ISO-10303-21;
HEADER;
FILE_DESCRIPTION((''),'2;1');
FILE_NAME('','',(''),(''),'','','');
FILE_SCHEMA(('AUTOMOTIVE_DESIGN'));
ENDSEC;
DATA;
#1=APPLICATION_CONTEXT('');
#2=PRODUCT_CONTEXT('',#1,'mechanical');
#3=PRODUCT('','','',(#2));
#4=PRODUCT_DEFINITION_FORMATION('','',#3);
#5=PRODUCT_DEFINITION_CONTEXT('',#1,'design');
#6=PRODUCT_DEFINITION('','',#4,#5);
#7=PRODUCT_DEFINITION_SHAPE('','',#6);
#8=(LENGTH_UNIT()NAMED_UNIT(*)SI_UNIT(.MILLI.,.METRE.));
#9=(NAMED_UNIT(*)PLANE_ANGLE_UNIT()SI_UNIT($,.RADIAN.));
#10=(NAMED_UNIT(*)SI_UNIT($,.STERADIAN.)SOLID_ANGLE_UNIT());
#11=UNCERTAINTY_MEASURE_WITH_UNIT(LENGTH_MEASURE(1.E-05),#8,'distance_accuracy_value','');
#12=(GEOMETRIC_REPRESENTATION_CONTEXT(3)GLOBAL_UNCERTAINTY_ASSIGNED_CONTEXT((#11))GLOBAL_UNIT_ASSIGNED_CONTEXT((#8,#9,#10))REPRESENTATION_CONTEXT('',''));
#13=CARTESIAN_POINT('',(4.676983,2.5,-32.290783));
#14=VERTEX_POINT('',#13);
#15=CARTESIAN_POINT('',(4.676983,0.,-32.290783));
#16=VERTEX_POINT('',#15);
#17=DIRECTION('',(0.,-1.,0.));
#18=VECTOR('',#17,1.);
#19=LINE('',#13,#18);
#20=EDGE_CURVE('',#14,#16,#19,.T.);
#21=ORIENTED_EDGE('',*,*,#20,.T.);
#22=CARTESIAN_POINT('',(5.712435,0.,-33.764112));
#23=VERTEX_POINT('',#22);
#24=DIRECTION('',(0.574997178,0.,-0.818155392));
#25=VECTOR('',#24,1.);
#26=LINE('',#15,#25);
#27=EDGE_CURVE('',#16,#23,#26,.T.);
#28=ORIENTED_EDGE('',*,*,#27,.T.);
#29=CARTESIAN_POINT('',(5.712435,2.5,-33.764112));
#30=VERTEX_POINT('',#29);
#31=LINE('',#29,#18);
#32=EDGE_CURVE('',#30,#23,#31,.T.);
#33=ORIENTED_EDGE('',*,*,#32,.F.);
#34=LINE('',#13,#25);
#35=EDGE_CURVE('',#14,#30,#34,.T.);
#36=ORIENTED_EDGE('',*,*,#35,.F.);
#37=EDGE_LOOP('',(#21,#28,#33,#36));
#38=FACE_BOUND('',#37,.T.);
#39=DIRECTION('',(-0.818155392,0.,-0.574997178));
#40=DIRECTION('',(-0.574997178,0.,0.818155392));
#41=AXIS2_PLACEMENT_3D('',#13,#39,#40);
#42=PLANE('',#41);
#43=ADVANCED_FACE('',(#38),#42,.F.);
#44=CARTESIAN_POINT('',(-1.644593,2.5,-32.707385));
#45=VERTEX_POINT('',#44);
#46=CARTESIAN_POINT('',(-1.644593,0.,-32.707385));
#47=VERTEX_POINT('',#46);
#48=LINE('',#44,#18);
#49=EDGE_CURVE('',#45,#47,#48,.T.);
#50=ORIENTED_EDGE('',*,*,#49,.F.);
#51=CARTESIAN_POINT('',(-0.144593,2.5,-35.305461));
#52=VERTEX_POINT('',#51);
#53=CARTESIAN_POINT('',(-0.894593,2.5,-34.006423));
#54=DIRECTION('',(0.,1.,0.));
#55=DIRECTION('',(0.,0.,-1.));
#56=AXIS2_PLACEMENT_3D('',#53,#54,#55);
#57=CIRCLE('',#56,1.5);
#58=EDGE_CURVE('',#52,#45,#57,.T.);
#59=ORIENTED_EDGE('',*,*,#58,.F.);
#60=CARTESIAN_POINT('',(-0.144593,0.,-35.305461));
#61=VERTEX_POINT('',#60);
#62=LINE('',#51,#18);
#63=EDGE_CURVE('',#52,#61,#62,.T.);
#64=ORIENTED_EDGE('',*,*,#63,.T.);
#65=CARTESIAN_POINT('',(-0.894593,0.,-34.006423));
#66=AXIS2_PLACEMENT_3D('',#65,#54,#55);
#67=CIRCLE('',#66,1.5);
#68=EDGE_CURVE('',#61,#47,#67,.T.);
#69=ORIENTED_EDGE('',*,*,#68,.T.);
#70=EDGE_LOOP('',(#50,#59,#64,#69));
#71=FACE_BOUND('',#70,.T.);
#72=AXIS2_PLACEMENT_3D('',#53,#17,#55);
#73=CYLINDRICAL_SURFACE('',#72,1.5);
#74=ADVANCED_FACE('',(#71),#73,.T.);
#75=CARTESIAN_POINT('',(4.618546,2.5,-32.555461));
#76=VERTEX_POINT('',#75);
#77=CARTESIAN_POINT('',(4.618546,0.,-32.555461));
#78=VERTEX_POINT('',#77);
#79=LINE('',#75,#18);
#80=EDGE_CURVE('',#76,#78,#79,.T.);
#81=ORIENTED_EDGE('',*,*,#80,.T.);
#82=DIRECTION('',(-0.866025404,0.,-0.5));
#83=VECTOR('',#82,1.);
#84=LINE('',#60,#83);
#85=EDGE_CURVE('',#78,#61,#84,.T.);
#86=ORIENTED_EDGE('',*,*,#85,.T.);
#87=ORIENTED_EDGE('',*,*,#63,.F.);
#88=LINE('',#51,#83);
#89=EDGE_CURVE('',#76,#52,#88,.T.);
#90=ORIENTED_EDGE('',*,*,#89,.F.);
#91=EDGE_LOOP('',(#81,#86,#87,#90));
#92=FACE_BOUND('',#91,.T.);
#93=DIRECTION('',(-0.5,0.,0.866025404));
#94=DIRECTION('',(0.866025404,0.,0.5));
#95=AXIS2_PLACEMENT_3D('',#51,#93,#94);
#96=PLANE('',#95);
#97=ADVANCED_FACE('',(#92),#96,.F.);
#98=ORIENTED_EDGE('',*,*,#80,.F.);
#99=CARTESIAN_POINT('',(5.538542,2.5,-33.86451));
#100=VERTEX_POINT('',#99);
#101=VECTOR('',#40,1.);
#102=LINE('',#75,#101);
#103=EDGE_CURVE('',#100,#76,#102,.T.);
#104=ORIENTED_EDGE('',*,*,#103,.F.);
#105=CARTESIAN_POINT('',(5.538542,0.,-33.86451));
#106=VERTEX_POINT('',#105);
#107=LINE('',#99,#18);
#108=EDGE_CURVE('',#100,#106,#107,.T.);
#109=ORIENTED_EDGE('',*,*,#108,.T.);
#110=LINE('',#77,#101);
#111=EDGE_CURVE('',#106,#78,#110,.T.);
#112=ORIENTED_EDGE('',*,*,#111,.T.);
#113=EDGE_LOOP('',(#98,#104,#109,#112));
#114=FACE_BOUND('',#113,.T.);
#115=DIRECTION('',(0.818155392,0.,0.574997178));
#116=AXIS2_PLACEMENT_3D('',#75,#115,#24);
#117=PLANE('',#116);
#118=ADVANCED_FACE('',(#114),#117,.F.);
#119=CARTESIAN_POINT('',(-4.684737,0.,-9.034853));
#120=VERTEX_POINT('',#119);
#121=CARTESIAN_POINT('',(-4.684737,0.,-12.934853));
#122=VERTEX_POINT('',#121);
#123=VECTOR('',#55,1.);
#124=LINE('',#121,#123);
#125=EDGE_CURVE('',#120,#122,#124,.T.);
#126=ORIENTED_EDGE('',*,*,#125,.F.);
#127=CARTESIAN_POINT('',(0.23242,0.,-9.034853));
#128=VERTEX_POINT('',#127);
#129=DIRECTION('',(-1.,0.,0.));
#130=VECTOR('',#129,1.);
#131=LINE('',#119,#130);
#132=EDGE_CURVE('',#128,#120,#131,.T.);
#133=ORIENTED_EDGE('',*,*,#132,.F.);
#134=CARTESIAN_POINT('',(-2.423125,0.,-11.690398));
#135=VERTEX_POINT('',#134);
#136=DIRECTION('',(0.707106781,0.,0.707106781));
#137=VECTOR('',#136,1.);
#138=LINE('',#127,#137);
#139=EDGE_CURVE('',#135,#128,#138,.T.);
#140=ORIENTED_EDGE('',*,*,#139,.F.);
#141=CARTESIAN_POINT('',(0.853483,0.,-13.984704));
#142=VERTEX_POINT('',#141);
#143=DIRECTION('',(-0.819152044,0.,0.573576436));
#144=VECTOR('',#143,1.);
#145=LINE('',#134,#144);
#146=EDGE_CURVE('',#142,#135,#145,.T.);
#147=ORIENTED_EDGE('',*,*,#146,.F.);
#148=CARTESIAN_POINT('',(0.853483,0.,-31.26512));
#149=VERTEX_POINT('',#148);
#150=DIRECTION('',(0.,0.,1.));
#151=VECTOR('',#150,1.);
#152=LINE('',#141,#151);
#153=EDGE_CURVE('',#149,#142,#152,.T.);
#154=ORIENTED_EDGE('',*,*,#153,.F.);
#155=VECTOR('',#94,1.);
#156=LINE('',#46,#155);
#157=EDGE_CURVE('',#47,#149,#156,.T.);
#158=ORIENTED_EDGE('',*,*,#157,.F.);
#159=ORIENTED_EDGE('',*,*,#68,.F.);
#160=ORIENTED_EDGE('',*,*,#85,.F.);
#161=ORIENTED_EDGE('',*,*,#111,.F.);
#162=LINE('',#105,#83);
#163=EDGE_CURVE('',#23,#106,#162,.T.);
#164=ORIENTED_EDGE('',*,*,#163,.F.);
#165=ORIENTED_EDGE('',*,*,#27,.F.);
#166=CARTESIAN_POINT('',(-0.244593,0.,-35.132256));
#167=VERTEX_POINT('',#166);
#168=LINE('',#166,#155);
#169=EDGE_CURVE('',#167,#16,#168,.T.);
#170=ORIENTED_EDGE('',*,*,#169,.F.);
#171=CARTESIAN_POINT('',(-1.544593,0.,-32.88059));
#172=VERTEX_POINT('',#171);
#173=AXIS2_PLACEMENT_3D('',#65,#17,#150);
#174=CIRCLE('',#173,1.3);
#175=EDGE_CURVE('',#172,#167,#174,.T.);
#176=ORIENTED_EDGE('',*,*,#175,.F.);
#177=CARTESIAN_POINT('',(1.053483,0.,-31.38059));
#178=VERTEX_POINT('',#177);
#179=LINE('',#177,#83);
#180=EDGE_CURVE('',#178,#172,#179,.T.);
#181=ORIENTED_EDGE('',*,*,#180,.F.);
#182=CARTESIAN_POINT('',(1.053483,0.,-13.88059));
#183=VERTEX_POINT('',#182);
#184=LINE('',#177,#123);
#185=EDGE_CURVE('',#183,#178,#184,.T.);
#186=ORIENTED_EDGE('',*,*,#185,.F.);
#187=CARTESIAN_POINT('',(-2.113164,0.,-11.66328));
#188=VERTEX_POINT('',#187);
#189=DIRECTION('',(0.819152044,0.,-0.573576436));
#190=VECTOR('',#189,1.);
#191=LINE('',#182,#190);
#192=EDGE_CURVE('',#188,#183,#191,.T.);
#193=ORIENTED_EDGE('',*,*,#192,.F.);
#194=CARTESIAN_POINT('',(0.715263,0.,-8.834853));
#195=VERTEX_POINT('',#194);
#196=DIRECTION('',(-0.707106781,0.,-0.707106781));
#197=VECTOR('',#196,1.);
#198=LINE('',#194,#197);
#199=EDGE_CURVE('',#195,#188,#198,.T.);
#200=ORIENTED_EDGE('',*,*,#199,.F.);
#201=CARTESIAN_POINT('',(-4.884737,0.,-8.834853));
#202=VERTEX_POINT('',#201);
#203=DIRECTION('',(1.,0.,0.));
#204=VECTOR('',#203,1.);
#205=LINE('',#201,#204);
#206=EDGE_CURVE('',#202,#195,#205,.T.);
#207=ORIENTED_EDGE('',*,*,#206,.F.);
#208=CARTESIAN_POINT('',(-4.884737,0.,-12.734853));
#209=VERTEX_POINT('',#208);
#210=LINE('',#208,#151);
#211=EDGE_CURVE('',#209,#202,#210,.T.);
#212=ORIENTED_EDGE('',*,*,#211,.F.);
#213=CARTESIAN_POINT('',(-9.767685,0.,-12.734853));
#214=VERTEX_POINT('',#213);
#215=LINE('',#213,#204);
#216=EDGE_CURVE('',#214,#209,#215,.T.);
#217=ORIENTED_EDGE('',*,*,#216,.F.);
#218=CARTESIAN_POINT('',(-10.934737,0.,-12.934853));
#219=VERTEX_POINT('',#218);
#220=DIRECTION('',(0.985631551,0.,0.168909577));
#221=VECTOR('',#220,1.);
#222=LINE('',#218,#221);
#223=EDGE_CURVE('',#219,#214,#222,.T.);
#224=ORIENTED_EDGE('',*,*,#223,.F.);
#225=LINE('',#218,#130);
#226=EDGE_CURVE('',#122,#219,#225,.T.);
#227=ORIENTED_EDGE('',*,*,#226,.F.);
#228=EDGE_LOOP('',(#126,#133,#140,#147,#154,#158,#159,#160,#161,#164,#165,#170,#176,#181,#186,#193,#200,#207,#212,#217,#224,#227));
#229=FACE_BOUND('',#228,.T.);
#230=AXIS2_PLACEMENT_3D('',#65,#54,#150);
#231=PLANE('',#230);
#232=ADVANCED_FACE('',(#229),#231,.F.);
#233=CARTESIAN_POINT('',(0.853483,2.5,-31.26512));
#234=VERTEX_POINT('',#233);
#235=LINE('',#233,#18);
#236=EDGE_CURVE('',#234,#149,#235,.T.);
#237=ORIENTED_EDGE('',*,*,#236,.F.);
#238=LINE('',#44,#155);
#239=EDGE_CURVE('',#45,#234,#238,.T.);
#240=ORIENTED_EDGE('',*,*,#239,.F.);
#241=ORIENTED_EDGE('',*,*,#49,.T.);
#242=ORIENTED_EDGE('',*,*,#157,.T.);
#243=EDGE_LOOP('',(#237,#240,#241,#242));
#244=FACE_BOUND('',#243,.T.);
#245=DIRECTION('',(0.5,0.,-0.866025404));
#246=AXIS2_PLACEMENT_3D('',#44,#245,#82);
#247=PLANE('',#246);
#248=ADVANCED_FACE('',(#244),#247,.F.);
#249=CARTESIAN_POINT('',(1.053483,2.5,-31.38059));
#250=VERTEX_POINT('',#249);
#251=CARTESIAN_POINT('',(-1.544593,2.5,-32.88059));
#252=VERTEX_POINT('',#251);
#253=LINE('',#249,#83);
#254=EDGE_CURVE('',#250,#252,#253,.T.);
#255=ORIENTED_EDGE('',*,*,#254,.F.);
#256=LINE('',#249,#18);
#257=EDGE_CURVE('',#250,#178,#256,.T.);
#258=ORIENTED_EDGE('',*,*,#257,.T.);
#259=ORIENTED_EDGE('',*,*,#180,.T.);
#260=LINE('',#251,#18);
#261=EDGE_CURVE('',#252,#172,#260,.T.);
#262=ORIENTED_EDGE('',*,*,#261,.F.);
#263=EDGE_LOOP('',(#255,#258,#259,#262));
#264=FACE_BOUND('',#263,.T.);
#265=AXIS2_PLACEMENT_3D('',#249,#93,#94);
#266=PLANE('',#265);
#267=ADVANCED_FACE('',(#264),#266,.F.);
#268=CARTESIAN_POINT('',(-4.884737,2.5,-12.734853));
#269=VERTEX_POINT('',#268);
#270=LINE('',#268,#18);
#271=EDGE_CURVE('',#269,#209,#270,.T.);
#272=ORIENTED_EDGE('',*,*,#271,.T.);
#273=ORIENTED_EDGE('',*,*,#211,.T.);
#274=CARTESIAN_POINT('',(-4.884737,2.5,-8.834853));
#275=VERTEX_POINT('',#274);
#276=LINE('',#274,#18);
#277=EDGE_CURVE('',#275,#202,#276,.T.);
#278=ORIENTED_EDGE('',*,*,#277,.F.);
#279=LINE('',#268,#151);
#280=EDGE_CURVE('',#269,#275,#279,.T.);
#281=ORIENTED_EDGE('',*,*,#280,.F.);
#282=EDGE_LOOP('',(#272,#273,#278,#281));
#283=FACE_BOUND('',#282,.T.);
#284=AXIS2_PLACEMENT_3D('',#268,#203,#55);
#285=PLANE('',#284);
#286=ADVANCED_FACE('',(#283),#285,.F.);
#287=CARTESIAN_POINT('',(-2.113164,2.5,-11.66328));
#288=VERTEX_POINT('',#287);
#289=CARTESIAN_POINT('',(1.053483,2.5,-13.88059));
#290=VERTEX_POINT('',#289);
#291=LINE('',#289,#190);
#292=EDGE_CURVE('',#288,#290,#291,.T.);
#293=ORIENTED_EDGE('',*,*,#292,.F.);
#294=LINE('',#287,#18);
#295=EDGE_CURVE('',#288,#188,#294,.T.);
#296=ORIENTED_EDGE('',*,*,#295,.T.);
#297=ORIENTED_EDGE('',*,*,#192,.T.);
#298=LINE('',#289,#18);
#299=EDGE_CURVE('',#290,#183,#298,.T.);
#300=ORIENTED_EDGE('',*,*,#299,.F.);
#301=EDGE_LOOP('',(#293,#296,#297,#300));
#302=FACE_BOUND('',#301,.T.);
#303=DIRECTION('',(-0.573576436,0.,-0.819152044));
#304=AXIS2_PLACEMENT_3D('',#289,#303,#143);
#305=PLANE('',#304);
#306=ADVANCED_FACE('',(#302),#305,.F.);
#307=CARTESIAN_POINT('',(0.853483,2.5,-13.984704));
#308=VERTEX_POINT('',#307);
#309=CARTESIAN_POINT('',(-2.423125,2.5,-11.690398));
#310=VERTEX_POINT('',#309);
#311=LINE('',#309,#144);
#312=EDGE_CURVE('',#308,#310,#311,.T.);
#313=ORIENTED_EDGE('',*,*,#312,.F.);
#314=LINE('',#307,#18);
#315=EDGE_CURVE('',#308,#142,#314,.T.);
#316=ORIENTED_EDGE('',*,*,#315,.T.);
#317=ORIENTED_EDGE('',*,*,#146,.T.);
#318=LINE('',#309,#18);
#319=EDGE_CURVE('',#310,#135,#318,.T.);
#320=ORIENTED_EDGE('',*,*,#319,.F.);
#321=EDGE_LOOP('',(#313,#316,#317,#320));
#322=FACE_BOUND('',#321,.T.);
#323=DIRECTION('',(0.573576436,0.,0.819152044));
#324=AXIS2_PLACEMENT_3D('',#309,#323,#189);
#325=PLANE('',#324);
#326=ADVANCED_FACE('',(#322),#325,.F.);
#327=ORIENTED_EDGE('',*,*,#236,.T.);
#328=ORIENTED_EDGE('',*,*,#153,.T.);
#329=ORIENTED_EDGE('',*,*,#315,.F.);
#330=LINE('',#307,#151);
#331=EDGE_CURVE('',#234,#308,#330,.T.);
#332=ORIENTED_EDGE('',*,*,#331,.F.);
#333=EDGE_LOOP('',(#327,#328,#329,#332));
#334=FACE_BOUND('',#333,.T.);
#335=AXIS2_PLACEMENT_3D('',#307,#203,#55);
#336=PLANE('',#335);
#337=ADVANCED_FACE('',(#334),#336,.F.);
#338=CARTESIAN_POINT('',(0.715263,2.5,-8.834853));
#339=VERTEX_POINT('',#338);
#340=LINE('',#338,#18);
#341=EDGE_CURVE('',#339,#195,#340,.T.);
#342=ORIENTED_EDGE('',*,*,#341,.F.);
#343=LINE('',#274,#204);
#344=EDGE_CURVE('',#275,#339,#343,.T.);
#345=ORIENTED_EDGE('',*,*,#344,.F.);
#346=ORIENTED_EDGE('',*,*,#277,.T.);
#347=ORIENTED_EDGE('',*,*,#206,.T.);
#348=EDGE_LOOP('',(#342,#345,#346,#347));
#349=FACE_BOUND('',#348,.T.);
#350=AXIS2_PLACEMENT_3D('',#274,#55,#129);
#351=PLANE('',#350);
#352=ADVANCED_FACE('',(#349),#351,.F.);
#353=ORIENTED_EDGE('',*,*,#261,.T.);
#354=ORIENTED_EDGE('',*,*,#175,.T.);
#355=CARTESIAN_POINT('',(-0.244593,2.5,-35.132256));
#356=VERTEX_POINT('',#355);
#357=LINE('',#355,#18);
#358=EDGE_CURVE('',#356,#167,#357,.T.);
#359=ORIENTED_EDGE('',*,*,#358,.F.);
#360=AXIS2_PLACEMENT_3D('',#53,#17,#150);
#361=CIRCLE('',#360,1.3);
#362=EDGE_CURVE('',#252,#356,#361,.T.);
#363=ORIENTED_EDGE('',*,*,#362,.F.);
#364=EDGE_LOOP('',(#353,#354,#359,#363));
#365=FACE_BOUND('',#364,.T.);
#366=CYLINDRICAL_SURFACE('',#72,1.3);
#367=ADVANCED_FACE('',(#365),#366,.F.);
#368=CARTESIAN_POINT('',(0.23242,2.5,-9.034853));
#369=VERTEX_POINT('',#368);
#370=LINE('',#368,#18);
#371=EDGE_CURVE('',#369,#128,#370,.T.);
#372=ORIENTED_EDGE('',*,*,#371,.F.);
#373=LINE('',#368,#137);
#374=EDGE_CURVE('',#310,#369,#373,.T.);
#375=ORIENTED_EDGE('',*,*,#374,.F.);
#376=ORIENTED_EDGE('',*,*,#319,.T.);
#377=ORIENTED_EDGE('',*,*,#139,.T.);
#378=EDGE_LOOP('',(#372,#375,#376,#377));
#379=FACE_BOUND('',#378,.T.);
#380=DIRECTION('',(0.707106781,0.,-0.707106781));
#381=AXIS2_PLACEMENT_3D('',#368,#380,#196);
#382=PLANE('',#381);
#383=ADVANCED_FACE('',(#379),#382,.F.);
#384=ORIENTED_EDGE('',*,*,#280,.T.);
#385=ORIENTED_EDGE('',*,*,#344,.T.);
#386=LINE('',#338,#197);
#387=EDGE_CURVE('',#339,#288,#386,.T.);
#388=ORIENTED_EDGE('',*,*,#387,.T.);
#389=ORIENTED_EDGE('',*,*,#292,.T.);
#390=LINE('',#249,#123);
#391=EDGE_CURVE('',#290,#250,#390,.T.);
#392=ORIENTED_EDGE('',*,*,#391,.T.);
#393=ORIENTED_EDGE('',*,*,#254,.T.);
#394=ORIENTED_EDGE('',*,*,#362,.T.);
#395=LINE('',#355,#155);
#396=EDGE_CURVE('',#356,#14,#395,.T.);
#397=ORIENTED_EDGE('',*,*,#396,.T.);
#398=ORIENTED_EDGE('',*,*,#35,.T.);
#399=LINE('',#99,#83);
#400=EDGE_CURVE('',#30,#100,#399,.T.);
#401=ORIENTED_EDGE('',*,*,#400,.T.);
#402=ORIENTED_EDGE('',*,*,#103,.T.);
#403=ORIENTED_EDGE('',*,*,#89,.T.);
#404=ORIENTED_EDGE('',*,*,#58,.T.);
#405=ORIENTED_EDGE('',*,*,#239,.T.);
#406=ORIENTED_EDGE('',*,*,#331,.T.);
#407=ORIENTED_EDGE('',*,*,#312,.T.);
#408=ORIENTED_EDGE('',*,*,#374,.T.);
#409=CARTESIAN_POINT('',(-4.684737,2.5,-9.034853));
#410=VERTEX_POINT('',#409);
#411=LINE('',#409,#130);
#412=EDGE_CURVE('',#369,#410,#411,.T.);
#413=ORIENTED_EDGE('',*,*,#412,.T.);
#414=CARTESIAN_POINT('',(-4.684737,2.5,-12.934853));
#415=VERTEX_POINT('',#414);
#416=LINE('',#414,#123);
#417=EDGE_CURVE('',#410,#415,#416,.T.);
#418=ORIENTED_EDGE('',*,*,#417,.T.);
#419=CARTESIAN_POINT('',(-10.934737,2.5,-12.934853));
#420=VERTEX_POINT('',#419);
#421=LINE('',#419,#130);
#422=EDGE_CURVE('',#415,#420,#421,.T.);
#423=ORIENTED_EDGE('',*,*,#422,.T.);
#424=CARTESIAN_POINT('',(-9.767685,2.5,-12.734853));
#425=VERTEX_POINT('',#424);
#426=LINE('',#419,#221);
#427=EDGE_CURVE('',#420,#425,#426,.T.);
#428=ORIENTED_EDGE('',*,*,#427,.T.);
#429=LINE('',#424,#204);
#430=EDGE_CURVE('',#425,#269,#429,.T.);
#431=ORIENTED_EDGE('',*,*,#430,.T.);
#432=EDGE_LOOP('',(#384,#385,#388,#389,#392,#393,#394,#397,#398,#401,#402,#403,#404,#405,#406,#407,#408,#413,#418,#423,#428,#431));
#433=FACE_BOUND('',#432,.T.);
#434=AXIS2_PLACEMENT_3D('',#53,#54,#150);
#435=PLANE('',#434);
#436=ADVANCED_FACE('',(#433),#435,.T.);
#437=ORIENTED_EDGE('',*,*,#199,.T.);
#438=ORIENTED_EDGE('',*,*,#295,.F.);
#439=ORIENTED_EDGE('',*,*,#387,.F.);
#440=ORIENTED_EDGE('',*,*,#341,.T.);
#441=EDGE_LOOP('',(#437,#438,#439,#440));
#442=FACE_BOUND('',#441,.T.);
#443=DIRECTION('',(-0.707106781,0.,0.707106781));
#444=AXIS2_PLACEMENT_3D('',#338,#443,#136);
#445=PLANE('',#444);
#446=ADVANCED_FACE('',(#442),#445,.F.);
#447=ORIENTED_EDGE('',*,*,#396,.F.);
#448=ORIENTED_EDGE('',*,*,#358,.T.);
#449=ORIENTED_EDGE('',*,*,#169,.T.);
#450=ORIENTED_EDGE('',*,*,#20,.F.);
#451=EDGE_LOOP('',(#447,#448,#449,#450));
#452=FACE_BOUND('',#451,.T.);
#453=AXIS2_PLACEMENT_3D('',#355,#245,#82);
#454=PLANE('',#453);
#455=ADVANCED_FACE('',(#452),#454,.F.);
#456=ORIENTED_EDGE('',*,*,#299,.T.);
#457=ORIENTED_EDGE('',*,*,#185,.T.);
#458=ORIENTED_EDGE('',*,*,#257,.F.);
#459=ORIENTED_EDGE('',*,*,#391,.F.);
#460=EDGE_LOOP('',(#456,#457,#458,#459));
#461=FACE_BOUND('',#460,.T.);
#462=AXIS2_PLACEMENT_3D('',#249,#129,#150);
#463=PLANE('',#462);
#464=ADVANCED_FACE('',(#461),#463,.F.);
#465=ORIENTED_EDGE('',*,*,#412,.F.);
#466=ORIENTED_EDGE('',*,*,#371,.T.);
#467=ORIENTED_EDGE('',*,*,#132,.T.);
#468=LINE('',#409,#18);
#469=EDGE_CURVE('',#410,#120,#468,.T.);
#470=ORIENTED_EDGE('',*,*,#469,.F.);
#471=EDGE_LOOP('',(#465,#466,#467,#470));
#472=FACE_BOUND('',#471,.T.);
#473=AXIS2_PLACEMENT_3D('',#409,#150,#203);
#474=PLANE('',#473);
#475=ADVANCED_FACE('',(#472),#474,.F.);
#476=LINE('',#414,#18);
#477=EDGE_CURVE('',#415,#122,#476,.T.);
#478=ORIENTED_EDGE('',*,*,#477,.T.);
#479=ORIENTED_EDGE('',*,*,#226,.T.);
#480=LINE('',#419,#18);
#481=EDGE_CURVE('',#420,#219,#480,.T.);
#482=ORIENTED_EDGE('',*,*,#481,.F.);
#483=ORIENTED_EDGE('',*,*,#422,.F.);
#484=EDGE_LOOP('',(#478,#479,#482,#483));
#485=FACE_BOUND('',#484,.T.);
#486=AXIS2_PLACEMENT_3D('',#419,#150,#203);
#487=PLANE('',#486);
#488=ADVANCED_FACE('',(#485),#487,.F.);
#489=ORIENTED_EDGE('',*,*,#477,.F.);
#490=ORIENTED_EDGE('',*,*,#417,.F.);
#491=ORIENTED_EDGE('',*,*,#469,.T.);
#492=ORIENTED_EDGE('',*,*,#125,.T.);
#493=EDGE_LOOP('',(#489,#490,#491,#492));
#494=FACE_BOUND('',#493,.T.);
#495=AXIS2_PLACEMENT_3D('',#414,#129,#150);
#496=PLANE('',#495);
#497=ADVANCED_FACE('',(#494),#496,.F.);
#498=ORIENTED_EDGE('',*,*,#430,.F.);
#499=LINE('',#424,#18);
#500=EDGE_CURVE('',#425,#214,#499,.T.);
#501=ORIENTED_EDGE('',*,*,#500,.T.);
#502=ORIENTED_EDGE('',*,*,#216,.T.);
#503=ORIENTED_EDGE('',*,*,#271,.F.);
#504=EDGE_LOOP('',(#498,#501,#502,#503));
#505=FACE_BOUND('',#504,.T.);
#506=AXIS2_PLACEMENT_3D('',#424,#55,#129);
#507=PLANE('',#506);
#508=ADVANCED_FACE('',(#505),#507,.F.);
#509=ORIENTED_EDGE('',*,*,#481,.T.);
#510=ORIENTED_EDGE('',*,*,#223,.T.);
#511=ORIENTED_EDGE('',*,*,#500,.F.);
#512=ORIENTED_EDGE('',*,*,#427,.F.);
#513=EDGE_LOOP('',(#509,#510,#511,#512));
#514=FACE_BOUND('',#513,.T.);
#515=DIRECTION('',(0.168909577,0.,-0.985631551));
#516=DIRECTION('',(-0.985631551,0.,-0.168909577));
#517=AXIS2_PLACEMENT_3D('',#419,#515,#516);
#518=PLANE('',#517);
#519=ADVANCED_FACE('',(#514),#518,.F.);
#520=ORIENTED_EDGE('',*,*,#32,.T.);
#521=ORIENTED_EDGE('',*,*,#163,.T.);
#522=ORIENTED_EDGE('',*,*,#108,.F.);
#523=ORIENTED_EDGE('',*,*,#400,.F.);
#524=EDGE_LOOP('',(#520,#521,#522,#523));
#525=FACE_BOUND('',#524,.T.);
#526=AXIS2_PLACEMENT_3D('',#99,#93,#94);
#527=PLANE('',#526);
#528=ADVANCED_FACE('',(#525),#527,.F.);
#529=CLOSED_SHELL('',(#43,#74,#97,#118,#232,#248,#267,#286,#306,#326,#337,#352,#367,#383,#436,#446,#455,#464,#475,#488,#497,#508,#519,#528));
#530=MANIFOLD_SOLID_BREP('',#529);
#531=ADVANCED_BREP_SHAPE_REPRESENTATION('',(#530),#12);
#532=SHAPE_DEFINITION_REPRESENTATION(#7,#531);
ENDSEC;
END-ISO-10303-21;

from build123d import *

# Parameters (mm, degrees)
EXTRUDE_1_DEPTH = 2.5


with BuildPart() as part:
    # 草图1 → 凸台-拉伸1 (new body)
    with BuildSketch(Plane(origin=(0, 0, 0), x_dir=(1, 0, 0), z_dir=(0, 1, 0))):
        with BuildLine():
            Line((-10.934737319, 12.934852592), (-4.684737319, 12.934852592))
            Line((-4.684737319, 12.934852592), (-4.684737319, 9.034852592))
            Line((-4.684737319, 9.034852592), (0.232419968, 9.034852592))
            Line((0.232419968, 9.034852592), (-2.42312521, 11.69039777))
            Line((-2.42312521, 11.69039777), (0.853482967, 13.984703515))
            Line((0.853482967, 13.984703515), (0.853482967, 31.265120051))
            Line((0.853482967, 31.265120051), (-1.644593244, 32.707385024))
            ThreePointArc((-1.644593244, 32.707385024), (-2.19363135, 34.75642313), (-0.144593244, 35.305461236))
            Line((-0.144593244, 35.305461236), (4.618546477, 32.555461236))
            Line((4.618546477, 32.555461236), (5.538541961, 33.864509863))
            Line((5.538541961, 33.864509863), (5.712435322, 33.764112484))
            Line((5.712435322, 33.764112484), (4.676983419, 32.290782544))
            Line((4.676983419, 32.290782544), (-0.244593244, 35.132256155))
            ThreePointArc((-0.244593244, 35.132256155), (-2.020426269, 34.65642313), (-1.544593244, 32.880590105))
            Line((-1.544593244, 32.880590105), (1.053482967, 31.380590105))
            Line((1.053482967, 31.380590105), (1.053482967, 13.880590105))
            Line((1.053482967, 13.880590105), (-2.113164444, 11.663279717))
            Line((-2.113164444, 11.663279717), (0.715262681, 8.834852592))
            Line((0.715262681, 8.834852592), (-4.884737319, 8.834852592))
            Line((-4.884737319, 8.834852592), (-4.884737319, 12.734852592))
            Line((-4.884737319, 12.734852592), (-9.767685017, 12.734852592))
            Line((-9.767685017, 12.734852592), (-10.934737319, 12.934852592))
        make_face()
    extrude(amount=EXTRUDE_1_DEPTH)


solid = part.part
